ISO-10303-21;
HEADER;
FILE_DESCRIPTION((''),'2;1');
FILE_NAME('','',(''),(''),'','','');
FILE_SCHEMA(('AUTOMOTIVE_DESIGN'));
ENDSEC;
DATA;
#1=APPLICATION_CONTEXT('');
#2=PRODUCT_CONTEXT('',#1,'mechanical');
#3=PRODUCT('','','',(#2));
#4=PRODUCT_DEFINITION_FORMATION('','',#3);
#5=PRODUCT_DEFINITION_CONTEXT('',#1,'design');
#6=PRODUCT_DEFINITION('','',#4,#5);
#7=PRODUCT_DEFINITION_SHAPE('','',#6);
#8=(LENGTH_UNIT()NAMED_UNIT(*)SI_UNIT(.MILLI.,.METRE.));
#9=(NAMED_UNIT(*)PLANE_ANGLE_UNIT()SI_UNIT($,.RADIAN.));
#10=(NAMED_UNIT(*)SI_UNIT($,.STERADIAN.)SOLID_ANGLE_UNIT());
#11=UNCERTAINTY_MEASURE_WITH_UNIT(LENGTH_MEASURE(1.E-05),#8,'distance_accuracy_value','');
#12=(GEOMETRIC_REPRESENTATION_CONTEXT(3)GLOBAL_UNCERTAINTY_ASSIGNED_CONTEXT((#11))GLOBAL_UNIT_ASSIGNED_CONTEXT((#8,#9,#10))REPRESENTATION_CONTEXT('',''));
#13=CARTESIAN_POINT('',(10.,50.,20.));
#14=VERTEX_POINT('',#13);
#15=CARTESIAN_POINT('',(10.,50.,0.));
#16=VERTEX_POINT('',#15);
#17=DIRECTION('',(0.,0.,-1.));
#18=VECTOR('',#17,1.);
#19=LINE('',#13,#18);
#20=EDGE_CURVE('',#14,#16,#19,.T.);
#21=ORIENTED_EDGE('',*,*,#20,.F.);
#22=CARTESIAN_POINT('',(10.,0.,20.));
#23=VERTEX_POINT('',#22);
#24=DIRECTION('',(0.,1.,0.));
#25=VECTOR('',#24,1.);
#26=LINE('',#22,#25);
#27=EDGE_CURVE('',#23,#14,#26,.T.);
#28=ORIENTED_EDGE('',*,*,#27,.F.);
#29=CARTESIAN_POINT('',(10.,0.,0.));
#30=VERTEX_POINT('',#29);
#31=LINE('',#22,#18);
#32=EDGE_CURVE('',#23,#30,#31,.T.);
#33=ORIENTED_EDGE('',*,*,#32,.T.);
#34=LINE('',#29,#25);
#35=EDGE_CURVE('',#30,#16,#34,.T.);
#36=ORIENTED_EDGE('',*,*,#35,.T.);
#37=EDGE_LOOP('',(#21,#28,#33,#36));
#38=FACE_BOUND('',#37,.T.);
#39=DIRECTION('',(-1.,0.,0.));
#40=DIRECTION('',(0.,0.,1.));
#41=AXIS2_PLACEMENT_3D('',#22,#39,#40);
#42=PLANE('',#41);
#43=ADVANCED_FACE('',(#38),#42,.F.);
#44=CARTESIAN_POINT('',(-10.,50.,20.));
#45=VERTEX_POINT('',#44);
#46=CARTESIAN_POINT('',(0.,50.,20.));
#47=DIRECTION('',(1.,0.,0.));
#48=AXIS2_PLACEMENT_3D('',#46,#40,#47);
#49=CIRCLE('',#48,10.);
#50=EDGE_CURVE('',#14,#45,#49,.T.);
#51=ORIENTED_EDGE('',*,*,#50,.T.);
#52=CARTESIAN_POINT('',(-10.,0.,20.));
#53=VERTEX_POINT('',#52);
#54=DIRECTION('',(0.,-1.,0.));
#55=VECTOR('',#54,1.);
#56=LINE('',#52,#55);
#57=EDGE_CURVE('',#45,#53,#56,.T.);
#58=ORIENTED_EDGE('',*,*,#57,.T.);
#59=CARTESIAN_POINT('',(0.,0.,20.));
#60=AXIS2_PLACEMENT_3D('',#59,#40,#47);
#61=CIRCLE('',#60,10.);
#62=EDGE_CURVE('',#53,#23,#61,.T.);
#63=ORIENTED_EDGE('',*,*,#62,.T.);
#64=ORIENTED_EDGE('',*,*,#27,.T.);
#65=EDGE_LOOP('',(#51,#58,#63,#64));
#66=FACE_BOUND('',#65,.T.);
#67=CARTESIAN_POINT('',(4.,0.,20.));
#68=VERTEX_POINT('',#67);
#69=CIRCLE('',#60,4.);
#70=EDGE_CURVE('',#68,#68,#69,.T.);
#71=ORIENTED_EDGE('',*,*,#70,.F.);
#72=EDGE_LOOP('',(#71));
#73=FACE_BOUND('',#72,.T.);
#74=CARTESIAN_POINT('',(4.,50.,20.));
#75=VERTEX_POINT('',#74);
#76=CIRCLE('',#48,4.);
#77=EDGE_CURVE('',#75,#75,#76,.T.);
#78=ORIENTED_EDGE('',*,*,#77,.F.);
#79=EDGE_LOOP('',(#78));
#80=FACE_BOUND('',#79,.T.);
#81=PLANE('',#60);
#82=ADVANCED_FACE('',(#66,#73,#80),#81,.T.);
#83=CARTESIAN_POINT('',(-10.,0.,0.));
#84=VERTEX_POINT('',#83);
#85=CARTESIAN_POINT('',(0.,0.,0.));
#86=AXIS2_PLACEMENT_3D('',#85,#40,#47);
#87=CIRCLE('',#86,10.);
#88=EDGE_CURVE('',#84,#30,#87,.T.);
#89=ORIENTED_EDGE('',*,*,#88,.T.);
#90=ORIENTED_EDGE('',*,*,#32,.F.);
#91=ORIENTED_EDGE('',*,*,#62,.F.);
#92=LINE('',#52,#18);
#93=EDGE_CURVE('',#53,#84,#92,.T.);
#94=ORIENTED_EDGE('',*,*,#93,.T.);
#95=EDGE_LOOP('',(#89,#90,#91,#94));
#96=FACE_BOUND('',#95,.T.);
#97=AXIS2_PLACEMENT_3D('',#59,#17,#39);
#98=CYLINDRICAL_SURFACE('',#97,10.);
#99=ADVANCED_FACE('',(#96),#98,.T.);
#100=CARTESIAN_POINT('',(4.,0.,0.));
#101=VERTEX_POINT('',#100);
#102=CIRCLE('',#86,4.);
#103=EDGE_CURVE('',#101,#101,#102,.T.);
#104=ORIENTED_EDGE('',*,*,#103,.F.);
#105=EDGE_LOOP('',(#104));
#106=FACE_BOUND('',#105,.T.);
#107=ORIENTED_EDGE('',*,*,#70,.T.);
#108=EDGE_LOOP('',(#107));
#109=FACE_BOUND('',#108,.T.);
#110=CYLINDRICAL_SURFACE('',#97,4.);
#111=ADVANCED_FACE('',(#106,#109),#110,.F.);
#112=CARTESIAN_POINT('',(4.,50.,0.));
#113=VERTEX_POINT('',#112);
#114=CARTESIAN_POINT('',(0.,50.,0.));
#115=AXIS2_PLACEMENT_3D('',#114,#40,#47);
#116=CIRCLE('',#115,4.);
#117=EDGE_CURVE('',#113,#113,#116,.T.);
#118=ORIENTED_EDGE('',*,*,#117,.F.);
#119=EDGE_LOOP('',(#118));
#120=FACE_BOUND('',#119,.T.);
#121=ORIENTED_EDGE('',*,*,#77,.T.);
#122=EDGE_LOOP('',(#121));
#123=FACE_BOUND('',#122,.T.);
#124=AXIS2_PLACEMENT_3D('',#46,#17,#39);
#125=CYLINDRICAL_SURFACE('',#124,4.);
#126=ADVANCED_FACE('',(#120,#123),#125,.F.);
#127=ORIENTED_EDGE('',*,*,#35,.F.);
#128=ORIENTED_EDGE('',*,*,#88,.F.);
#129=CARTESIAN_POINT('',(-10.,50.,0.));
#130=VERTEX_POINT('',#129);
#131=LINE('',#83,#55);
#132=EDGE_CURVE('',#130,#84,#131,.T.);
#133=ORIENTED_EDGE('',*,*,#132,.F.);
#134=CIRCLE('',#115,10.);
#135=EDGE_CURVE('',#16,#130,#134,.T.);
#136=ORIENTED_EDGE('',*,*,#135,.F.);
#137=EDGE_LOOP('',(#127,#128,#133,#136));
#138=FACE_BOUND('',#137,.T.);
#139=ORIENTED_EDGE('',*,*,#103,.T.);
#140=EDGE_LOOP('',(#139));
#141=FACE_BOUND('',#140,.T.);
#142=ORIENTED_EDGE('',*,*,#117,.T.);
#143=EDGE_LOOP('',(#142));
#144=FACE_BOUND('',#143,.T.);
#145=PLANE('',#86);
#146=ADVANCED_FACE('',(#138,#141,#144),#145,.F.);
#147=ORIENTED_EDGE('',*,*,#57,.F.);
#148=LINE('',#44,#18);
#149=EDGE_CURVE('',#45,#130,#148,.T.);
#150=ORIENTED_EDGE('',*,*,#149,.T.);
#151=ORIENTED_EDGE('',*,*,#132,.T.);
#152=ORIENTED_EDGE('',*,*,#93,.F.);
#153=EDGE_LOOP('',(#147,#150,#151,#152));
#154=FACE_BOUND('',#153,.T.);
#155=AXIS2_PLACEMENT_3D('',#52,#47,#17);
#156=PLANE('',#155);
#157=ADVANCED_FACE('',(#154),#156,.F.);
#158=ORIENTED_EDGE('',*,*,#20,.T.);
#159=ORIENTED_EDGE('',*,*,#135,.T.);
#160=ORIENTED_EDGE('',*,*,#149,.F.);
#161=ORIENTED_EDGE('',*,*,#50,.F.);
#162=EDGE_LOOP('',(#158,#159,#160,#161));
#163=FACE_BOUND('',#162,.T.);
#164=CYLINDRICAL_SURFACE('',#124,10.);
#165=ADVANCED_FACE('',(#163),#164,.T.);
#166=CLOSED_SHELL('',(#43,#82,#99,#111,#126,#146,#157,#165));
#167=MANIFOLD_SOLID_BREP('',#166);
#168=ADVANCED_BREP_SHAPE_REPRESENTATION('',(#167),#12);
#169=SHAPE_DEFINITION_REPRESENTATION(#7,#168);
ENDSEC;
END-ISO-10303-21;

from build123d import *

# Parameters (mm, degrees)
ESQUISSE1_R        = 4
BOSS_EXTRU_1_DEPTH = 20


with BuildPart() as part:
    # Esquisse1 → Boss.-Extru.1 (new body)
    with BuildSketch(Plane.XY):
        with BuildLine():
            Line((-10, 0), (-10, 50))
            ThreePointArc((-10, 50), (0, 60), (10, 50))
            Line((10, 50), (10, 0))
            ThreePointArc((10, 0), (0, -10), (-10, 0))
        make_face()
        with Locations((0, 50)):
            Circle(ESQUISSE1_R, mode=Mode.SUBTRACT)
        Circle(ESQUISSE1_R, mode=Mode.SUBTRACT)
    extrude(amount=BOSS_EXTRU_1_DEPTH)


solid = part.part
